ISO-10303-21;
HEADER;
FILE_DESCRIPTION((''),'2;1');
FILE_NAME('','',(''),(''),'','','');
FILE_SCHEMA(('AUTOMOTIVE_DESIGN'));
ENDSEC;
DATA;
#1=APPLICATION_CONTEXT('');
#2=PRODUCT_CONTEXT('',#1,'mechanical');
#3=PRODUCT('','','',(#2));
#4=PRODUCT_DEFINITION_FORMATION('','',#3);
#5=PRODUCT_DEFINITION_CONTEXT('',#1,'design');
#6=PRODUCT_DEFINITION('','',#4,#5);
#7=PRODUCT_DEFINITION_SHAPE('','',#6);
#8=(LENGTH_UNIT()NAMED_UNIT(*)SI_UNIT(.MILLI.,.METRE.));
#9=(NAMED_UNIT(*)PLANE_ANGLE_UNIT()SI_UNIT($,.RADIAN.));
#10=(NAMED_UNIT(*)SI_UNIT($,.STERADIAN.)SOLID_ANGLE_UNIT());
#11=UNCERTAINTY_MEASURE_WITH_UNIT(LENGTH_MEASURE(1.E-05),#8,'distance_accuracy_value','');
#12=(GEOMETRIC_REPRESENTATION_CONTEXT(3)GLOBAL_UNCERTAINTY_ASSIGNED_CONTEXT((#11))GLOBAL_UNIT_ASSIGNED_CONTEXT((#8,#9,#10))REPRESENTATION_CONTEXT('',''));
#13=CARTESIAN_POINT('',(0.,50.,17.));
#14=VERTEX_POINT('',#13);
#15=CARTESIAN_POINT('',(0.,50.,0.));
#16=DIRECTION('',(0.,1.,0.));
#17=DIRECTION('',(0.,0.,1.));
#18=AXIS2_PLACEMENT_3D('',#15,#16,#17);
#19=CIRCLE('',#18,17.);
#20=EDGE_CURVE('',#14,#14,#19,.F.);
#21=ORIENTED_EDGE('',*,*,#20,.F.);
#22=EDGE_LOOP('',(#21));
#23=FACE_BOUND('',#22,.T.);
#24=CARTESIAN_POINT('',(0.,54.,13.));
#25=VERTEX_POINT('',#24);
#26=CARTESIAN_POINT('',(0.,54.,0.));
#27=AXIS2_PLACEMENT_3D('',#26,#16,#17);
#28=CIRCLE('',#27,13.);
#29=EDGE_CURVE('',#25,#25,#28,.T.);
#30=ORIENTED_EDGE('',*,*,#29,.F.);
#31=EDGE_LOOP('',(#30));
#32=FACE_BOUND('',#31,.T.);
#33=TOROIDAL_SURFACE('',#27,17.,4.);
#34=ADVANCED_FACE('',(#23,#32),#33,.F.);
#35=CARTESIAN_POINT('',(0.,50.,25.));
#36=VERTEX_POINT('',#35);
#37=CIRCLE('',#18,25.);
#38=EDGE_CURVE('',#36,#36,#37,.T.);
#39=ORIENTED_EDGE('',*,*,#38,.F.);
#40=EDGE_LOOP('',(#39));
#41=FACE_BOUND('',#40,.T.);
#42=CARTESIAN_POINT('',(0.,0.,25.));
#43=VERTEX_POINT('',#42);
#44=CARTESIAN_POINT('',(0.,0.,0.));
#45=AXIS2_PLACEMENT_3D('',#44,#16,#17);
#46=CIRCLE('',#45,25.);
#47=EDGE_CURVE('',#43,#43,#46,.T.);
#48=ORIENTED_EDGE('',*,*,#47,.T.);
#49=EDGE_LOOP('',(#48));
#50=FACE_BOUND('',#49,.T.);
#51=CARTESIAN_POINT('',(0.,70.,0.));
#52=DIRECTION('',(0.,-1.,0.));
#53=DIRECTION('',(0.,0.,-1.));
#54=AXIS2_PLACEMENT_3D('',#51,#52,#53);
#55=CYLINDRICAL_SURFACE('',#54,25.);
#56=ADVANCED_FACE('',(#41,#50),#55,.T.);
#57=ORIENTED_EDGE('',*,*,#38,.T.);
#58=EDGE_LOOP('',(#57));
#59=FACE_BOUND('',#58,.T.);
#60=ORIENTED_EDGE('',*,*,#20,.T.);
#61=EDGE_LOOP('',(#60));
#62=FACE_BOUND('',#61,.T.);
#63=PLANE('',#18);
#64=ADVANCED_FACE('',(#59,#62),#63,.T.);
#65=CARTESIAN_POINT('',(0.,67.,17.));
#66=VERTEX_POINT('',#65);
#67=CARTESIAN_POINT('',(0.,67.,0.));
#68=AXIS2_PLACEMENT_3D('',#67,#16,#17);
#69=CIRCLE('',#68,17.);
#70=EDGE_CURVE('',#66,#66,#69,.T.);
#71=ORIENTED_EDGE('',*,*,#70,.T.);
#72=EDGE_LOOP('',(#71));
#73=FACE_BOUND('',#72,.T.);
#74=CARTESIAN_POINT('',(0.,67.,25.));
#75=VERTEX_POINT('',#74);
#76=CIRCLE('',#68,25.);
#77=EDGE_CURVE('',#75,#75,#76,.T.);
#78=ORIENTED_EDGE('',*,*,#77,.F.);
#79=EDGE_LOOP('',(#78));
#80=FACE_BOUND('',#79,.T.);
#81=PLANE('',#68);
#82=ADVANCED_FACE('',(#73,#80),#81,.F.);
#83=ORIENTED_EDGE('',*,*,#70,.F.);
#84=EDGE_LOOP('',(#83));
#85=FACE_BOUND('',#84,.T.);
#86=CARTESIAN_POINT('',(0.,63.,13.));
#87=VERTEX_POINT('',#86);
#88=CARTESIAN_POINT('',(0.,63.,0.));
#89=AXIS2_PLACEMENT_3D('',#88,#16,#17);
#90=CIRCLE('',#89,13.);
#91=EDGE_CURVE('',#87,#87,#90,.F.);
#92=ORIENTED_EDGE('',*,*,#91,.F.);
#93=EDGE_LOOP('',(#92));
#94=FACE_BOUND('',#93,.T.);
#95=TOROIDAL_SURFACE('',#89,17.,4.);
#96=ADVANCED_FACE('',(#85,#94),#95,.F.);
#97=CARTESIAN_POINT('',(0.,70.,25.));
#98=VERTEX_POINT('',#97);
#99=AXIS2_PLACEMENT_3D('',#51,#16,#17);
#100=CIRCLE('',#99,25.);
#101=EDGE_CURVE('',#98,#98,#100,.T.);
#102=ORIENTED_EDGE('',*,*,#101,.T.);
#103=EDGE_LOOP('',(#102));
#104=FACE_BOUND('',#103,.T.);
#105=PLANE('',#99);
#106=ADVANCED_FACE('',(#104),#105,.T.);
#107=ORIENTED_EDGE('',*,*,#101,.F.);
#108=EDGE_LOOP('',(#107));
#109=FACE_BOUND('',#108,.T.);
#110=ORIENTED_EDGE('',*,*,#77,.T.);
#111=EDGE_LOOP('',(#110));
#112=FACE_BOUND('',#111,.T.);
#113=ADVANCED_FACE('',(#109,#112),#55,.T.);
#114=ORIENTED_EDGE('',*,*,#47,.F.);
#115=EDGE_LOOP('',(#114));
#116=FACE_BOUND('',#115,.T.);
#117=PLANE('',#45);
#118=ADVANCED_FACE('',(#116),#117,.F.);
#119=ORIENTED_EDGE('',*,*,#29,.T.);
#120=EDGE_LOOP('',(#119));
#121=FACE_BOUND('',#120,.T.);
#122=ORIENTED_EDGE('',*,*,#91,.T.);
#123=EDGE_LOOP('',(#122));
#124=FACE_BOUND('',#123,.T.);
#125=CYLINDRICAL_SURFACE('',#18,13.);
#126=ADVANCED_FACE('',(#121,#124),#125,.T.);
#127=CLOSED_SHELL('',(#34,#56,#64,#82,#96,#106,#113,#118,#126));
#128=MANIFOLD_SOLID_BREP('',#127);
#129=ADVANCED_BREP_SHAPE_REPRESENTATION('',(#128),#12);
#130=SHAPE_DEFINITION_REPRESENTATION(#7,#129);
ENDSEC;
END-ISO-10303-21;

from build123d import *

# Parameters (mm, degrees)
SKETCH1_R           = 25
BOSS_EXTRUDE1_DEPTH = 70
SKETCH2_OUTSIDE_W   = 71.9
SKETCH2_OUTSIDE_H   = 71.9
SKETCH2_OUTSIDE_R   = 13
CUT_EXTRUDE1_DEPTH  = 17
FILLET1_R           = 4


with BuildPart() as part:
    # Sketch1 → Boss-Extrude1 (new body)
    with BuildSketch(Plane(origin=(0, 0, 0), x_dir=(1, 0, 0), z_dir=(0, 1, 0))):
        with Locations(Location((0, 0, 0), (0, 0, 270))):
            Circle(SKETCH1_R)
    extrude(amount=BOSS_EXTRUDE1_DEPTH)

    # Sketch2 outside → Cut-Extrude1 (cut)
    with BuildSketch(Plane(origin=(0, 67, 0), x_dir=(1, 0, 0), z_dir=(0, 1, 0))):
        Rectangle(SKETCH2_OUTSIDE_W, SKETCH2_OUTSIDE_H)
        with Locations(Location((0, 0, 0), (0, 0, 270))):
            Circle(SKETCH2_OUTSIDE_R, mode=Mode.SUBTRACT)
    extrude(amount=-CUT_EXTRUDE1_DEPTH, mode=Mode.SUBTRACT)

    # Fillet1
    fillet1_edges = [part.edges().sort_by_distance(p)[0] for p in [
        (0, 67, -13),
        (0, 50, -13),
    ]]
    fillet(fillet1_edges, radius=FILLET1_R)


solid = part.part
